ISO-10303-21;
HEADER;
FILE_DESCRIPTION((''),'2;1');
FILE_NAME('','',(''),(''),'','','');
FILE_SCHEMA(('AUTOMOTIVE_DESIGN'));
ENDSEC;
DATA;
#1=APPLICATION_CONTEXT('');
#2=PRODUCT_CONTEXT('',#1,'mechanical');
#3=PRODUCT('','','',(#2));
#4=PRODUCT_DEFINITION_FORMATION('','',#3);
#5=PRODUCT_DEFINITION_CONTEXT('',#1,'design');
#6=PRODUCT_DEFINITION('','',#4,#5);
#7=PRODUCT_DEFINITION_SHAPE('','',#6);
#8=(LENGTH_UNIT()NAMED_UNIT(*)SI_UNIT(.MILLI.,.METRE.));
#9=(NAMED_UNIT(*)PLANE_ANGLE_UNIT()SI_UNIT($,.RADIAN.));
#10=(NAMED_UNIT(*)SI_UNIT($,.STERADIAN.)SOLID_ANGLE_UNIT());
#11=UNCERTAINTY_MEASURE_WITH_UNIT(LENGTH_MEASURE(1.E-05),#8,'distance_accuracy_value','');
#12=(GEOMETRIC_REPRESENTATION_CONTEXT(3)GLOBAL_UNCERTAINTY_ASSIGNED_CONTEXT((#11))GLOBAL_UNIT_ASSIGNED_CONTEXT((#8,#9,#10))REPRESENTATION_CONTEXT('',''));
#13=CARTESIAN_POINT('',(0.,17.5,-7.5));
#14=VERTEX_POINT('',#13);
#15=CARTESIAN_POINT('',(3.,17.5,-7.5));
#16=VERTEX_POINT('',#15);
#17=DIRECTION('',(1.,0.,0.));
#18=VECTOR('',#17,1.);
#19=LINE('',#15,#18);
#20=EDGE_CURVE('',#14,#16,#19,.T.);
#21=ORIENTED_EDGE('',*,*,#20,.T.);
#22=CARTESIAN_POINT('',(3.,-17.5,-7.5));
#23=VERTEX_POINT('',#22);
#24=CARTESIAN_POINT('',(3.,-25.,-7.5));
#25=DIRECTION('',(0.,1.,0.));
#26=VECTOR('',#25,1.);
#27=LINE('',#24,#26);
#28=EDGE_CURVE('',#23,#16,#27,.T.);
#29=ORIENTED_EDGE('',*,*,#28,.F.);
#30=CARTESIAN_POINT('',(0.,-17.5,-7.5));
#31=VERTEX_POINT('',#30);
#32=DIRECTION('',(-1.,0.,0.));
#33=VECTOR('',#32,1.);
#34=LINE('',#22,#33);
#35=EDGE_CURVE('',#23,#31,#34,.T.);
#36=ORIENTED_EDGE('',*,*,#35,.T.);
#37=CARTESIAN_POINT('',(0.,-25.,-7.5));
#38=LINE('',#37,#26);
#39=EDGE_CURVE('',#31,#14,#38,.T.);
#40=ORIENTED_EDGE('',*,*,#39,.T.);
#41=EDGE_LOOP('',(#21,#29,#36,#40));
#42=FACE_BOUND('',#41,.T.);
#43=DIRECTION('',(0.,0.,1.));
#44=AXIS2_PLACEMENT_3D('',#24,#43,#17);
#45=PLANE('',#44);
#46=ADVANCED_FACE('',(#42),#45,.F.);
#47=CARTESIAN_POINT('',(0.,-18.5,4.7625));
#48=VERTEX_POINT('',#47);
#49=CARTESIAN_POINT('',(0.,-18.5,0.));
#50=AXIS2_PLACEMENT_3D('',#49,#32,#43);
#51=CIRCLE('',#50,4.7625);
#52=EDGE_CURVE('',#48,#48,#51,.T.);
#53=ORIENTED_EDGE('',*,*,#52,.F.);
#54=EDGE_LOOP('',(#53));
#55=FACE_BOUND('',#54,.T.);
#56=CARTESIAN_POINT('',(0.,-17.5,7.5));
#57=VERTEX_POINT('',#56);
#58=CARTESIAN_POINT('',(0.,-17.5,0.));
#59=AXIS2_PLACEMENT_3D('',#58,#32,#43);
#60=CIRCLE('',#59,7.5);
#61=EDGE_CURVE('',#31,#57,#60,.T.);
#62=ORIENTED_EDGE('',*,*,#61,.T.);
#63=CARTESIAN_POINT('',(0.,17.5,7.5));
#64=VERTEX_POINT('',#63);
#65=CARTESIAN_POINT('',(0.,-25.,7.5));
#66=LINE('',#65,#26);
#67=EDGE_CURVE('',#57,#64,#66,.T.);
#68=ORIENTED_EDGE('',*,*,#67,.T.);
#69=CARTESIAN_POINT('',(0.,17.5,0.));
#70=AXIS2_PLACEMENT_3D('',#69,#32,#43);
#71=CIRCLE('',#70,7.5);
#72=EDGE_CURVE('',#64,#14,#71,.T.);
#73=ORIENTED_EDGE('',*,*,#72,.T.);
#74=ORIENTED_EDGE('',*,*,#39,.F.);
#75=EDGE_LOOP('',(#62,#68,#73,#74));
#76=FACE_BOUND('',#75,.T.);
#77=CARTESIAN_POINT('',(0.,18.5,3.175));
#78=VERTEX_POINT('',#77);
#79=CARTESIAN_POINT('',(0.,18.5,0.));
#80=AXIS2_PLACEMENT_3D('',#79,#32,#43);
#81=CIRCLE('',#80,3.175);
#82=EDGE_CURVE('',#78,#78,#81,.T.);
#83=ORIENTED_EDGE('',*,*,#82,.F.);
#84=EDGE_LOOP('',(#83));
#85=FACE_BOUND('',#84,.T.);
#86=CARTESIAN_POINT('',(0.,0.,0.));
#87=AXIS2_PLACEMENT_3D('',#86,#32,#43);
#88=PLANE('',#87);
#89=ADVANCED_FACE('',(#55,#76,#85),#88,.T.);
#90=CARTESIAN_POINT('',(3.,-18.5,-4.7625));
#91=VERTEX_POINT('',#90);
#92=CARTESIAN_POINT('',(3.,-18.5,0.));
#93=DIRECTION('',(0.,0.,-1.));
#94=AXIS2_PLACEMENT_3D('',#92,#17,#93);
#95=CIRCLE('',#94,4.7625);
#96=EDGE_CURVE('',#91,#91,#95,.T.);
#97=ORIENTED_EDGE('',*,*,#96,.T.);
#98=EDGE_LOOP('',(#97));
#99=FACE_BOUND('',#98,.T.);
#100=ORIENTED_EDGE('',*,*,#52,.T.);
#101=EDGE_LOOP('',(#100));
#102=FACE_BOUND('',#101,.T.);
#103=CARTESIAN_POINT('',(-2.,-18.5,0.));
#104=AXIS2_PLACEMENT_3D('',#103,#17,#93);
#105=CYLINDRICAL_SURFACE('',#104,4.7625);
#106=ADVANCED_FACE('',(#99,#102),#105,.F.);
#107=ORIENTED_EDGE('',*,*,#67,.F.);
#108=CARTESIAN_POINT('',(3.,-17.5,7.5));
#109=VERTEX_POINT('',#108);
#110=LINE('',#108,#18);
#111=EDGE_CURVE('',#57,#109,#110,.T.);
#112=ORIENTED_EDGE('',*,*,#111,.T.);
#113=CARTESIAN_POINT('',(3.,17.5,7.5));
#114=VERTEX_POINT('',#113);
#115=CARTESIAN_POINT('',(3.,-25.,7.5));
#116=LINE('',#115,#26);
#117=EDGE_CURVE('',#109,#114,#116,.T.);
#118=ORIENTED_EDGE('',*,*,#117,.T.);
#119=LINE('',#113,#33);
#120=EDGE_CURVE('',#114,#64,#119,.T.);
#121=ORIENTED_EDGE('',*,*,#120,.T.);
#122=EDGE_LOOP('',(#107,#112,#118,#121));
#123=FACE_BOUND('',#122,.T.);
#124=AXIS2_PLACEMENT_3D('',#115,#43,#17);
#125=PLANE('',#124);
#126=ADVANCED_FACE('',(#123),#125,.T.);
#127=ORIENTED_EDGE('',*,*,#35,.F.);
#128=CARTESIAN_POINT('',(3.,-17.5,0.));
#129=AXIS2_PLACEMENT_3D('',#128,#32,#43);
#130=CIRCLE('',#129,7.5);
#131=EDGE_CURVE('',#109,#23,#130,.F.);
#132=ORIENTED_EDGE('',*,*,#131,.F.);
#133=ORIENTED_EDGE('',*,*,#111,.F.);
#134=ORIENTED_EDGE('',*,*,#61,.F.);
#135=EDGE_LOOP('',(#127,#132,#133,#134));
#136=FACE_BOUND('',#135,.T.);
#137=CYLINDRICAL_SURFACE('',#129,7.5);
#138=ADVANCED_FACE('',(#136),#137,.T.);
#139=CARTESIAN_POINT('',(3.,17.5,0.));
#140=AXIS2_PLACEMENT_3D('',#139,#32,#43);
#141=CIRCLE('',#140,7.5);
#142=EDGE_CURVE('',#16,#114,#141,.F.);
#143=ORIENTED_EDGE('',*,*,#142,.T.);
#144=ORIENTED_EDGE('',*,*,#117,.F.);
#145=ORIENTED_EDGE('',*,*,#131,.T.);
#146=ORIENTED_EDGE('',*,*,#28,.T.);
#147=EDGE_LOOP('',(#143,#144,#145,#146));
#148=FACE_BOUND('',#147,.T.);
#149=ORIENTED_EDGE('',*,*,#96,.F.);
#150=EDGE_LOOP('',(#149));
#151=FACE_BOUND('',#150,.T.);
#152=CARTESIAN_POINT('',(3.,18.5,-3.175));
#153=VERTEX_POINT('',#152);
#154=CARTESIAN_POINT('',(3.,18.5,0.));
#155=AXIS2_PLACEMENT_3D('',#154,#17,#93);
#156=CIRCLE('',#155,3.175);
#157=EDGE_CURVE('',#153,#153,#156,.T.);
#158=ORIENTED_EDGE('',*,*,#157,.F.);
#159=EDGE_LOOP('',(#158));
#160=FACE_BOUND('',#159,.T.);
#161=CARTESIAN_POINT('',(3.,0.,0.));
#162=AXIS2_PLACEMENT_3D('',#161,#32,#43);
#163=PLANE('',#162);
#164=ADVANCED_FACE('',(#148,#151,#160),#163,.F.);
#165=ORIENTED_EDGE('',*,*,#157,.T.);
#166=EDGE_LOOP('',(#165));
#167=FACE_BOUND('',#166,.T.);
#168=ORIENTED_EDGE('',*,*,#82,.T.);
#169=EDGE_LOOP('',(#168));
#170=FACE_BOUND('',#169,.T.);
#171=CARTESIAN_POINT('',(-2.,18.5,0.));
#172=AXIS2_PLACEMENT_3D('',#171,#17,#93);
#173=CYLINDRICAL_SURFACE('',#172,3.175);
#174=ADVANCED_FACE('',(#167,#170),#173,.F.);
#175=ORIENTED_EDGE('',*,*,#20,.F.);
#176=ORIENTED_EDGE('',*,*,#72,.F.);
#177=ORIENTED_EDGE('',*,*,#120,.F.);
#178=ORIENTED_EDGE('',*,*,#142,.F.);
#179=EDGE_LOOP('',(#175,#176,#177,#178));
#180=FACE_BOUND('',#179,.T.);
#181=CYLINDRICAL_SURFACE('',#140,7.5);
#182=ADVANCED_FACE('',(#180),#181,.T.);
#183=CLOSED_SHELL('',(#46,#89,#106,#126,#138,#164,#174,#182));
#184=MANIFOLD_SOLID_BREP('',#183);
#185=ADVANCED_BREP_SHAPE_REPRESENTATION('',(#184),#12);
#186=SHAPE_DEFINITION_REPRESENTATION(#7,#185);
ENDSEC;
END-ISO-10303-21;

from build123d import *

# Parameters (mm, degrees)
SKETCH3_W           = 15
SKETCH3_H           = 50
BOSS_EXTRUDE1_DEPTH = 3
SKETCH4_R           = 3.175
SKETCH4_R_2         = 4.7625
CUT_EXTRUDE1_DEPTH  = 5
FILLET1_RADIUS      = 7.5
FILLET1_LENGTH      = 3
FILLET2_RADIUS      = 7.5
FILLET2_LENGTH      = 3


with BuildPart() as part:
    # Sketch3 → Boss-Extrude1 (new body)
    with BuildSketch(Plane(origin=(0, 0, 0), x_dir=(0, 0, -1), z_dir=(1, 0, 0))):
        Rectangle(SKETCH3_W, SKETCH3_H)
    extrude(amount=BOSS_EXTRUDE1_DEPTH)

    # Sketch4 → Cut-Extrude1 (cut)
    with BuildSketch(Plane(origin=(3, 0, 0), x_dir=(0, 0, -1), z_dir=(1, 0, 0))):
        with Locations((0, 18.5)):
            Circle(SKETCH4_R)
        with Locations((0, -18.5)):
            Circle(SKETCH4_R_2)
    extrude(amount=-CUT_EXTRUDE1_DEPTH, mode=Mode.SUBTRACT)

    # Fillet1: full round fillet: the end face becomes a half cylinder, R = half its width
    fillet1_face = Plane((1.5, 25, 0), x_dir=(-1, 0, 0), z_dir=(0, 1, 0))  # on the end face: x along it, z out of the body
    fillet1_slab = fillet1_face.offset(-FILLET1_RADIUS / 2) * Box(FILLET1_LENGTH, 2 * FILLET1_RADIUS, FILLET1_RADIUS, mode=Mode.PRIVATE)  # the body's end, R deep
    fillet1_round = Plane((1.5, 17.5, 0), x_dir=(0, 1, 0), z_dir=(-1, 0, 0)) * Cylinder(FILLET1_RADIUS, FILLET1_LENGTH, mode=Mode.PRIVATE)  # its axis R under the face
    add(fillet1_slab - fillet1_round, mode=Mode.SUBTRACT)

    # Fillet2: full round fillet: the end face becomes a half cylinder, R = half its width
    fillet2_face = Plane((1.5, -25, 0), x_dir=(-1, 0, 0), z_dir=(0, -1, 0))  # on the end face: x along it, z out of the body
    fillet2_slab = fillet2_face.offset(-FILLET2_RADIUS / 2) * Box(FILLET2_LENGTH, 2 * FILLET2_RADIUS, FILLET2_RADIUS, mode=Mode.PRIVATE)  # the body's end, R deep
    fillet2_round = Plane((1.5, -17.5, 0), x_dir=(0, -1, 0), z_dir=(-1, 0, 0)) * Cylinder(FILLET2_RADIUS, FILLET2_LENGTH, mode=Mode.PRIVATE)  # its axis R under the face
    add(fillet2_slab - fillet2_round, mode=Mode.SUBTRACT)


solid = part.part
